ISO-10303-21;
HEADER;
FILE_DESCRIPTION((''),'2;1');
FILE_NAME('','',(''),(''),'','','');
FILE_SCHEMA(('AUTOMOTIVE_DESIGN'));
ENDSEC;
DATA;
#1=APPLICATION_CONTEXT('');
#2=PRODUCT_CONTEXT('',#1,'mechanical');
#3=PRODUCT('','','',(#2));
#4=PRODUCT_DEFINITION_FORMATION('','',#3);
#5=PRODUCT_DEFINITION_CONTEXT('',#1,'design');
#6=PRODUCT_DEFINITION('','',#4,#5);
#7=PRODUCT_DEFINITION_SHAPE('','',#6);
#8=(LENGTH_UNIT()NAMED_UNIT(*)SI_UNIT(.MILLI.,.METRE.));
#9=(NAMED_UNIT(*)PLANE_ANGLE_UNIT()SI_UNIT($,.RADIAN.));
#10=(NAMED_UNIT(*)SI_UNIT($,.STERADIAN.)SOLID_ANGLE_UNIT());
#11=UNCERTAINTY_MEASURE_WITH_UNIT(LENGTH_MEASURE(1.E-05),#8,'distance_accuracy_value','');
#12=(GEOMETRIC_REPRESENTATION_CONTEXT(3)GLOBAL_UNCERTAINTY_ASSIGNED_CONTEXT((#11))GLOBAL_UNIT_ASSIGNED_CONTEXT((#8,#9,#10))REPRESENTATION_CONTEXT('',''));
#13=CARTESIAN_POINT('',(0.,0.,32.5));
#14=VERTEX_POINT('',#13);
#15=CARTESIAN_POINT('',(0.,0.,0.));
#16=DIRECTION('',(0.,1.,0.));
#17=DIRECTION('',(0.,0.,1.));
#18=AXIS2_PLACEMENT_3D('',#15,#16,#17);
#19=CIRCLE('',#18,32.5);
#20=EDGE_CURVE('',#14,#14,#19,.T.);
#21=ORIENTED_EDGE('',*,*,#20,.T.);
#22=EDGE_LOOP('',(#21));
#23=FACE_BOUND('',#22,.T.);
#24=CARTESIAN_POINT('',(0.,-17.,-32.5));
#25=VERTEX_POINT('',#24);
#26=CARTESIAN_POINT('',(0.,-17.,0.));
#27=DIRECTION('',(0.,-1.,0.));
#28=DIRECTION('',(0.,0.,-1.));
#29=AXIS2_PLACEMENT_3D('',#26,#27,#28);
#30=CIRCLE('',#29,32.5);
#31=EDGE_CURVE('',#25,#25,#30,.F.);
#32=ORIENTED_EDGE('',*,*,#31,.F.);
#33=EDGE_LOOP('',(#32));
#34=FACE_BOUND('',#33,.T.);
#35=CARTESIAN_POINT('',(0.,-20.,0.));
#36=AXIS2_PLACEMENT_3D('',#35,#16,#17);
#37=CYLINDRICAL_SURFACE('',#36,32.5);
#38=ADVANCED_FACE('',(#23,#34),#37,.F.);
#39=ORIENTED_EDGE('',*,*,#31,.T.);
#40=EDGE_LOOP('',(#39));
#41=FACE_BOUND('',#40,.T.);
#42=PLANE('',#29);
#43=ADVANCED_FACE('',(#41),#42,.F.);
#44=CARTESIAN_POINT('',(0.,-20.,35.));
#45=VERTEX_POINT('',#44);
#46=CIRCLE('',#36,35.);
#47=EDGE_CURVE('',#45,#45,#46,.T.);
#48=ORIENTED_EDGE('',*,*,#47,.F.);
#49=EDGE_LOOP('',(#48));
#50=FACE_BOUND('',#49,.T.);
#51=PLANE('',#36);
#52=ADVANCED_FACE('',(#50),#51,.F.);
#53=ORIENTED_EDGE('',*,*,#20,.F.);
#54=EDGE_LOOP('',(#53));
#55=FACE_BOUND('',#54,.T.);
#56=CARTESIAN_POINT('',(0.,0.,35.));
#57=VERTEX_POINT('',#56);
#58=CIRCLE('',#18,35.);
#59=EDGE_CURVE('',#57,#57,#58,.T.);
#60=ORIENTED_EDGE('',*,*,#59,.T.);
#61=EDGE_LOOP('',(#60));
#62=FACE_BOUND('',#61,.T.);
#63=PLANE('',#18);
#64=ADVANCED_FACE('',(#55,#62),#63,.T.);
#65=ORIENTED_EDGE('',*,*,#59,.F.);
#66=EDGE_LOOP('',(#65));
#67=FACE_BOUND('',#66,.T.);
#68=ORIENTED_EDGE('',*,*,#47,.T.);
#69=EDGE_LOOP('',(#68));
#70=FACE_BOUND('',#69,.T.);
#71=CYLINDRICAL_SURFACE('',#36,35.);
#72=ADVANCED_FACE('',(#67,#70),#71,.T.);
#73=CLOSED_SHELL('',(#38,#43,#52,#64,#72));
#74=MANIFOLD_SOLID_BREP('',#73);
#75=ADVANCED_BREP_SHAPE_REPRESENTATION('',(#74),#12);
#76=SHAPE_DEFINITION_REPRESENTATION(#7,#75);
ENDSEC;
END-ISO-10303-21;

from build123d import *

# Parameters (mm, degrees)
SKETCH1_R           = 35
SKETCH1_R_2         = 32.5
BOSS_EXTRUDE1_DEPTH = 20
BOSS_EXTRUDE2_START = -3
SKETCH3_R           = 32.5
BOSS_EXTRUDE2_DEPTH = 3


with BuildPart() as part:
    # Sketch1 → Boss-Extrude1 (new body)
    with BuildSketch(Plane(origin=(0, 0, 0), x_dir=(1, 0, 0), z_dir=(0, 1, 0))):
        with Locations(Location((0, 0, 0), (0, 0, 270))):
            Circle(SKETCH1_R)
        with Locations(Location((0, 0, 0), (0, 0, 270))):
            Circle(SKETCH1_R_2, mode=Mode.SUBTRACT)
    extrude(amount=-BOSS_EXTRUDE1_DEPTH)

    # Sketch3 → Boss-Extrude2 (add)
    with BuildSketch(Plane.XZ.offset(20).offset(BOSS_EXTRUDE2_START)):
        with Locations(Location((0, 0, 0), (0, 0, 90))):
            Circle(SKETCH3_R)
    extrude(amount=BOSS_EXTRUDE2_DEPTH)


solid = part.part
